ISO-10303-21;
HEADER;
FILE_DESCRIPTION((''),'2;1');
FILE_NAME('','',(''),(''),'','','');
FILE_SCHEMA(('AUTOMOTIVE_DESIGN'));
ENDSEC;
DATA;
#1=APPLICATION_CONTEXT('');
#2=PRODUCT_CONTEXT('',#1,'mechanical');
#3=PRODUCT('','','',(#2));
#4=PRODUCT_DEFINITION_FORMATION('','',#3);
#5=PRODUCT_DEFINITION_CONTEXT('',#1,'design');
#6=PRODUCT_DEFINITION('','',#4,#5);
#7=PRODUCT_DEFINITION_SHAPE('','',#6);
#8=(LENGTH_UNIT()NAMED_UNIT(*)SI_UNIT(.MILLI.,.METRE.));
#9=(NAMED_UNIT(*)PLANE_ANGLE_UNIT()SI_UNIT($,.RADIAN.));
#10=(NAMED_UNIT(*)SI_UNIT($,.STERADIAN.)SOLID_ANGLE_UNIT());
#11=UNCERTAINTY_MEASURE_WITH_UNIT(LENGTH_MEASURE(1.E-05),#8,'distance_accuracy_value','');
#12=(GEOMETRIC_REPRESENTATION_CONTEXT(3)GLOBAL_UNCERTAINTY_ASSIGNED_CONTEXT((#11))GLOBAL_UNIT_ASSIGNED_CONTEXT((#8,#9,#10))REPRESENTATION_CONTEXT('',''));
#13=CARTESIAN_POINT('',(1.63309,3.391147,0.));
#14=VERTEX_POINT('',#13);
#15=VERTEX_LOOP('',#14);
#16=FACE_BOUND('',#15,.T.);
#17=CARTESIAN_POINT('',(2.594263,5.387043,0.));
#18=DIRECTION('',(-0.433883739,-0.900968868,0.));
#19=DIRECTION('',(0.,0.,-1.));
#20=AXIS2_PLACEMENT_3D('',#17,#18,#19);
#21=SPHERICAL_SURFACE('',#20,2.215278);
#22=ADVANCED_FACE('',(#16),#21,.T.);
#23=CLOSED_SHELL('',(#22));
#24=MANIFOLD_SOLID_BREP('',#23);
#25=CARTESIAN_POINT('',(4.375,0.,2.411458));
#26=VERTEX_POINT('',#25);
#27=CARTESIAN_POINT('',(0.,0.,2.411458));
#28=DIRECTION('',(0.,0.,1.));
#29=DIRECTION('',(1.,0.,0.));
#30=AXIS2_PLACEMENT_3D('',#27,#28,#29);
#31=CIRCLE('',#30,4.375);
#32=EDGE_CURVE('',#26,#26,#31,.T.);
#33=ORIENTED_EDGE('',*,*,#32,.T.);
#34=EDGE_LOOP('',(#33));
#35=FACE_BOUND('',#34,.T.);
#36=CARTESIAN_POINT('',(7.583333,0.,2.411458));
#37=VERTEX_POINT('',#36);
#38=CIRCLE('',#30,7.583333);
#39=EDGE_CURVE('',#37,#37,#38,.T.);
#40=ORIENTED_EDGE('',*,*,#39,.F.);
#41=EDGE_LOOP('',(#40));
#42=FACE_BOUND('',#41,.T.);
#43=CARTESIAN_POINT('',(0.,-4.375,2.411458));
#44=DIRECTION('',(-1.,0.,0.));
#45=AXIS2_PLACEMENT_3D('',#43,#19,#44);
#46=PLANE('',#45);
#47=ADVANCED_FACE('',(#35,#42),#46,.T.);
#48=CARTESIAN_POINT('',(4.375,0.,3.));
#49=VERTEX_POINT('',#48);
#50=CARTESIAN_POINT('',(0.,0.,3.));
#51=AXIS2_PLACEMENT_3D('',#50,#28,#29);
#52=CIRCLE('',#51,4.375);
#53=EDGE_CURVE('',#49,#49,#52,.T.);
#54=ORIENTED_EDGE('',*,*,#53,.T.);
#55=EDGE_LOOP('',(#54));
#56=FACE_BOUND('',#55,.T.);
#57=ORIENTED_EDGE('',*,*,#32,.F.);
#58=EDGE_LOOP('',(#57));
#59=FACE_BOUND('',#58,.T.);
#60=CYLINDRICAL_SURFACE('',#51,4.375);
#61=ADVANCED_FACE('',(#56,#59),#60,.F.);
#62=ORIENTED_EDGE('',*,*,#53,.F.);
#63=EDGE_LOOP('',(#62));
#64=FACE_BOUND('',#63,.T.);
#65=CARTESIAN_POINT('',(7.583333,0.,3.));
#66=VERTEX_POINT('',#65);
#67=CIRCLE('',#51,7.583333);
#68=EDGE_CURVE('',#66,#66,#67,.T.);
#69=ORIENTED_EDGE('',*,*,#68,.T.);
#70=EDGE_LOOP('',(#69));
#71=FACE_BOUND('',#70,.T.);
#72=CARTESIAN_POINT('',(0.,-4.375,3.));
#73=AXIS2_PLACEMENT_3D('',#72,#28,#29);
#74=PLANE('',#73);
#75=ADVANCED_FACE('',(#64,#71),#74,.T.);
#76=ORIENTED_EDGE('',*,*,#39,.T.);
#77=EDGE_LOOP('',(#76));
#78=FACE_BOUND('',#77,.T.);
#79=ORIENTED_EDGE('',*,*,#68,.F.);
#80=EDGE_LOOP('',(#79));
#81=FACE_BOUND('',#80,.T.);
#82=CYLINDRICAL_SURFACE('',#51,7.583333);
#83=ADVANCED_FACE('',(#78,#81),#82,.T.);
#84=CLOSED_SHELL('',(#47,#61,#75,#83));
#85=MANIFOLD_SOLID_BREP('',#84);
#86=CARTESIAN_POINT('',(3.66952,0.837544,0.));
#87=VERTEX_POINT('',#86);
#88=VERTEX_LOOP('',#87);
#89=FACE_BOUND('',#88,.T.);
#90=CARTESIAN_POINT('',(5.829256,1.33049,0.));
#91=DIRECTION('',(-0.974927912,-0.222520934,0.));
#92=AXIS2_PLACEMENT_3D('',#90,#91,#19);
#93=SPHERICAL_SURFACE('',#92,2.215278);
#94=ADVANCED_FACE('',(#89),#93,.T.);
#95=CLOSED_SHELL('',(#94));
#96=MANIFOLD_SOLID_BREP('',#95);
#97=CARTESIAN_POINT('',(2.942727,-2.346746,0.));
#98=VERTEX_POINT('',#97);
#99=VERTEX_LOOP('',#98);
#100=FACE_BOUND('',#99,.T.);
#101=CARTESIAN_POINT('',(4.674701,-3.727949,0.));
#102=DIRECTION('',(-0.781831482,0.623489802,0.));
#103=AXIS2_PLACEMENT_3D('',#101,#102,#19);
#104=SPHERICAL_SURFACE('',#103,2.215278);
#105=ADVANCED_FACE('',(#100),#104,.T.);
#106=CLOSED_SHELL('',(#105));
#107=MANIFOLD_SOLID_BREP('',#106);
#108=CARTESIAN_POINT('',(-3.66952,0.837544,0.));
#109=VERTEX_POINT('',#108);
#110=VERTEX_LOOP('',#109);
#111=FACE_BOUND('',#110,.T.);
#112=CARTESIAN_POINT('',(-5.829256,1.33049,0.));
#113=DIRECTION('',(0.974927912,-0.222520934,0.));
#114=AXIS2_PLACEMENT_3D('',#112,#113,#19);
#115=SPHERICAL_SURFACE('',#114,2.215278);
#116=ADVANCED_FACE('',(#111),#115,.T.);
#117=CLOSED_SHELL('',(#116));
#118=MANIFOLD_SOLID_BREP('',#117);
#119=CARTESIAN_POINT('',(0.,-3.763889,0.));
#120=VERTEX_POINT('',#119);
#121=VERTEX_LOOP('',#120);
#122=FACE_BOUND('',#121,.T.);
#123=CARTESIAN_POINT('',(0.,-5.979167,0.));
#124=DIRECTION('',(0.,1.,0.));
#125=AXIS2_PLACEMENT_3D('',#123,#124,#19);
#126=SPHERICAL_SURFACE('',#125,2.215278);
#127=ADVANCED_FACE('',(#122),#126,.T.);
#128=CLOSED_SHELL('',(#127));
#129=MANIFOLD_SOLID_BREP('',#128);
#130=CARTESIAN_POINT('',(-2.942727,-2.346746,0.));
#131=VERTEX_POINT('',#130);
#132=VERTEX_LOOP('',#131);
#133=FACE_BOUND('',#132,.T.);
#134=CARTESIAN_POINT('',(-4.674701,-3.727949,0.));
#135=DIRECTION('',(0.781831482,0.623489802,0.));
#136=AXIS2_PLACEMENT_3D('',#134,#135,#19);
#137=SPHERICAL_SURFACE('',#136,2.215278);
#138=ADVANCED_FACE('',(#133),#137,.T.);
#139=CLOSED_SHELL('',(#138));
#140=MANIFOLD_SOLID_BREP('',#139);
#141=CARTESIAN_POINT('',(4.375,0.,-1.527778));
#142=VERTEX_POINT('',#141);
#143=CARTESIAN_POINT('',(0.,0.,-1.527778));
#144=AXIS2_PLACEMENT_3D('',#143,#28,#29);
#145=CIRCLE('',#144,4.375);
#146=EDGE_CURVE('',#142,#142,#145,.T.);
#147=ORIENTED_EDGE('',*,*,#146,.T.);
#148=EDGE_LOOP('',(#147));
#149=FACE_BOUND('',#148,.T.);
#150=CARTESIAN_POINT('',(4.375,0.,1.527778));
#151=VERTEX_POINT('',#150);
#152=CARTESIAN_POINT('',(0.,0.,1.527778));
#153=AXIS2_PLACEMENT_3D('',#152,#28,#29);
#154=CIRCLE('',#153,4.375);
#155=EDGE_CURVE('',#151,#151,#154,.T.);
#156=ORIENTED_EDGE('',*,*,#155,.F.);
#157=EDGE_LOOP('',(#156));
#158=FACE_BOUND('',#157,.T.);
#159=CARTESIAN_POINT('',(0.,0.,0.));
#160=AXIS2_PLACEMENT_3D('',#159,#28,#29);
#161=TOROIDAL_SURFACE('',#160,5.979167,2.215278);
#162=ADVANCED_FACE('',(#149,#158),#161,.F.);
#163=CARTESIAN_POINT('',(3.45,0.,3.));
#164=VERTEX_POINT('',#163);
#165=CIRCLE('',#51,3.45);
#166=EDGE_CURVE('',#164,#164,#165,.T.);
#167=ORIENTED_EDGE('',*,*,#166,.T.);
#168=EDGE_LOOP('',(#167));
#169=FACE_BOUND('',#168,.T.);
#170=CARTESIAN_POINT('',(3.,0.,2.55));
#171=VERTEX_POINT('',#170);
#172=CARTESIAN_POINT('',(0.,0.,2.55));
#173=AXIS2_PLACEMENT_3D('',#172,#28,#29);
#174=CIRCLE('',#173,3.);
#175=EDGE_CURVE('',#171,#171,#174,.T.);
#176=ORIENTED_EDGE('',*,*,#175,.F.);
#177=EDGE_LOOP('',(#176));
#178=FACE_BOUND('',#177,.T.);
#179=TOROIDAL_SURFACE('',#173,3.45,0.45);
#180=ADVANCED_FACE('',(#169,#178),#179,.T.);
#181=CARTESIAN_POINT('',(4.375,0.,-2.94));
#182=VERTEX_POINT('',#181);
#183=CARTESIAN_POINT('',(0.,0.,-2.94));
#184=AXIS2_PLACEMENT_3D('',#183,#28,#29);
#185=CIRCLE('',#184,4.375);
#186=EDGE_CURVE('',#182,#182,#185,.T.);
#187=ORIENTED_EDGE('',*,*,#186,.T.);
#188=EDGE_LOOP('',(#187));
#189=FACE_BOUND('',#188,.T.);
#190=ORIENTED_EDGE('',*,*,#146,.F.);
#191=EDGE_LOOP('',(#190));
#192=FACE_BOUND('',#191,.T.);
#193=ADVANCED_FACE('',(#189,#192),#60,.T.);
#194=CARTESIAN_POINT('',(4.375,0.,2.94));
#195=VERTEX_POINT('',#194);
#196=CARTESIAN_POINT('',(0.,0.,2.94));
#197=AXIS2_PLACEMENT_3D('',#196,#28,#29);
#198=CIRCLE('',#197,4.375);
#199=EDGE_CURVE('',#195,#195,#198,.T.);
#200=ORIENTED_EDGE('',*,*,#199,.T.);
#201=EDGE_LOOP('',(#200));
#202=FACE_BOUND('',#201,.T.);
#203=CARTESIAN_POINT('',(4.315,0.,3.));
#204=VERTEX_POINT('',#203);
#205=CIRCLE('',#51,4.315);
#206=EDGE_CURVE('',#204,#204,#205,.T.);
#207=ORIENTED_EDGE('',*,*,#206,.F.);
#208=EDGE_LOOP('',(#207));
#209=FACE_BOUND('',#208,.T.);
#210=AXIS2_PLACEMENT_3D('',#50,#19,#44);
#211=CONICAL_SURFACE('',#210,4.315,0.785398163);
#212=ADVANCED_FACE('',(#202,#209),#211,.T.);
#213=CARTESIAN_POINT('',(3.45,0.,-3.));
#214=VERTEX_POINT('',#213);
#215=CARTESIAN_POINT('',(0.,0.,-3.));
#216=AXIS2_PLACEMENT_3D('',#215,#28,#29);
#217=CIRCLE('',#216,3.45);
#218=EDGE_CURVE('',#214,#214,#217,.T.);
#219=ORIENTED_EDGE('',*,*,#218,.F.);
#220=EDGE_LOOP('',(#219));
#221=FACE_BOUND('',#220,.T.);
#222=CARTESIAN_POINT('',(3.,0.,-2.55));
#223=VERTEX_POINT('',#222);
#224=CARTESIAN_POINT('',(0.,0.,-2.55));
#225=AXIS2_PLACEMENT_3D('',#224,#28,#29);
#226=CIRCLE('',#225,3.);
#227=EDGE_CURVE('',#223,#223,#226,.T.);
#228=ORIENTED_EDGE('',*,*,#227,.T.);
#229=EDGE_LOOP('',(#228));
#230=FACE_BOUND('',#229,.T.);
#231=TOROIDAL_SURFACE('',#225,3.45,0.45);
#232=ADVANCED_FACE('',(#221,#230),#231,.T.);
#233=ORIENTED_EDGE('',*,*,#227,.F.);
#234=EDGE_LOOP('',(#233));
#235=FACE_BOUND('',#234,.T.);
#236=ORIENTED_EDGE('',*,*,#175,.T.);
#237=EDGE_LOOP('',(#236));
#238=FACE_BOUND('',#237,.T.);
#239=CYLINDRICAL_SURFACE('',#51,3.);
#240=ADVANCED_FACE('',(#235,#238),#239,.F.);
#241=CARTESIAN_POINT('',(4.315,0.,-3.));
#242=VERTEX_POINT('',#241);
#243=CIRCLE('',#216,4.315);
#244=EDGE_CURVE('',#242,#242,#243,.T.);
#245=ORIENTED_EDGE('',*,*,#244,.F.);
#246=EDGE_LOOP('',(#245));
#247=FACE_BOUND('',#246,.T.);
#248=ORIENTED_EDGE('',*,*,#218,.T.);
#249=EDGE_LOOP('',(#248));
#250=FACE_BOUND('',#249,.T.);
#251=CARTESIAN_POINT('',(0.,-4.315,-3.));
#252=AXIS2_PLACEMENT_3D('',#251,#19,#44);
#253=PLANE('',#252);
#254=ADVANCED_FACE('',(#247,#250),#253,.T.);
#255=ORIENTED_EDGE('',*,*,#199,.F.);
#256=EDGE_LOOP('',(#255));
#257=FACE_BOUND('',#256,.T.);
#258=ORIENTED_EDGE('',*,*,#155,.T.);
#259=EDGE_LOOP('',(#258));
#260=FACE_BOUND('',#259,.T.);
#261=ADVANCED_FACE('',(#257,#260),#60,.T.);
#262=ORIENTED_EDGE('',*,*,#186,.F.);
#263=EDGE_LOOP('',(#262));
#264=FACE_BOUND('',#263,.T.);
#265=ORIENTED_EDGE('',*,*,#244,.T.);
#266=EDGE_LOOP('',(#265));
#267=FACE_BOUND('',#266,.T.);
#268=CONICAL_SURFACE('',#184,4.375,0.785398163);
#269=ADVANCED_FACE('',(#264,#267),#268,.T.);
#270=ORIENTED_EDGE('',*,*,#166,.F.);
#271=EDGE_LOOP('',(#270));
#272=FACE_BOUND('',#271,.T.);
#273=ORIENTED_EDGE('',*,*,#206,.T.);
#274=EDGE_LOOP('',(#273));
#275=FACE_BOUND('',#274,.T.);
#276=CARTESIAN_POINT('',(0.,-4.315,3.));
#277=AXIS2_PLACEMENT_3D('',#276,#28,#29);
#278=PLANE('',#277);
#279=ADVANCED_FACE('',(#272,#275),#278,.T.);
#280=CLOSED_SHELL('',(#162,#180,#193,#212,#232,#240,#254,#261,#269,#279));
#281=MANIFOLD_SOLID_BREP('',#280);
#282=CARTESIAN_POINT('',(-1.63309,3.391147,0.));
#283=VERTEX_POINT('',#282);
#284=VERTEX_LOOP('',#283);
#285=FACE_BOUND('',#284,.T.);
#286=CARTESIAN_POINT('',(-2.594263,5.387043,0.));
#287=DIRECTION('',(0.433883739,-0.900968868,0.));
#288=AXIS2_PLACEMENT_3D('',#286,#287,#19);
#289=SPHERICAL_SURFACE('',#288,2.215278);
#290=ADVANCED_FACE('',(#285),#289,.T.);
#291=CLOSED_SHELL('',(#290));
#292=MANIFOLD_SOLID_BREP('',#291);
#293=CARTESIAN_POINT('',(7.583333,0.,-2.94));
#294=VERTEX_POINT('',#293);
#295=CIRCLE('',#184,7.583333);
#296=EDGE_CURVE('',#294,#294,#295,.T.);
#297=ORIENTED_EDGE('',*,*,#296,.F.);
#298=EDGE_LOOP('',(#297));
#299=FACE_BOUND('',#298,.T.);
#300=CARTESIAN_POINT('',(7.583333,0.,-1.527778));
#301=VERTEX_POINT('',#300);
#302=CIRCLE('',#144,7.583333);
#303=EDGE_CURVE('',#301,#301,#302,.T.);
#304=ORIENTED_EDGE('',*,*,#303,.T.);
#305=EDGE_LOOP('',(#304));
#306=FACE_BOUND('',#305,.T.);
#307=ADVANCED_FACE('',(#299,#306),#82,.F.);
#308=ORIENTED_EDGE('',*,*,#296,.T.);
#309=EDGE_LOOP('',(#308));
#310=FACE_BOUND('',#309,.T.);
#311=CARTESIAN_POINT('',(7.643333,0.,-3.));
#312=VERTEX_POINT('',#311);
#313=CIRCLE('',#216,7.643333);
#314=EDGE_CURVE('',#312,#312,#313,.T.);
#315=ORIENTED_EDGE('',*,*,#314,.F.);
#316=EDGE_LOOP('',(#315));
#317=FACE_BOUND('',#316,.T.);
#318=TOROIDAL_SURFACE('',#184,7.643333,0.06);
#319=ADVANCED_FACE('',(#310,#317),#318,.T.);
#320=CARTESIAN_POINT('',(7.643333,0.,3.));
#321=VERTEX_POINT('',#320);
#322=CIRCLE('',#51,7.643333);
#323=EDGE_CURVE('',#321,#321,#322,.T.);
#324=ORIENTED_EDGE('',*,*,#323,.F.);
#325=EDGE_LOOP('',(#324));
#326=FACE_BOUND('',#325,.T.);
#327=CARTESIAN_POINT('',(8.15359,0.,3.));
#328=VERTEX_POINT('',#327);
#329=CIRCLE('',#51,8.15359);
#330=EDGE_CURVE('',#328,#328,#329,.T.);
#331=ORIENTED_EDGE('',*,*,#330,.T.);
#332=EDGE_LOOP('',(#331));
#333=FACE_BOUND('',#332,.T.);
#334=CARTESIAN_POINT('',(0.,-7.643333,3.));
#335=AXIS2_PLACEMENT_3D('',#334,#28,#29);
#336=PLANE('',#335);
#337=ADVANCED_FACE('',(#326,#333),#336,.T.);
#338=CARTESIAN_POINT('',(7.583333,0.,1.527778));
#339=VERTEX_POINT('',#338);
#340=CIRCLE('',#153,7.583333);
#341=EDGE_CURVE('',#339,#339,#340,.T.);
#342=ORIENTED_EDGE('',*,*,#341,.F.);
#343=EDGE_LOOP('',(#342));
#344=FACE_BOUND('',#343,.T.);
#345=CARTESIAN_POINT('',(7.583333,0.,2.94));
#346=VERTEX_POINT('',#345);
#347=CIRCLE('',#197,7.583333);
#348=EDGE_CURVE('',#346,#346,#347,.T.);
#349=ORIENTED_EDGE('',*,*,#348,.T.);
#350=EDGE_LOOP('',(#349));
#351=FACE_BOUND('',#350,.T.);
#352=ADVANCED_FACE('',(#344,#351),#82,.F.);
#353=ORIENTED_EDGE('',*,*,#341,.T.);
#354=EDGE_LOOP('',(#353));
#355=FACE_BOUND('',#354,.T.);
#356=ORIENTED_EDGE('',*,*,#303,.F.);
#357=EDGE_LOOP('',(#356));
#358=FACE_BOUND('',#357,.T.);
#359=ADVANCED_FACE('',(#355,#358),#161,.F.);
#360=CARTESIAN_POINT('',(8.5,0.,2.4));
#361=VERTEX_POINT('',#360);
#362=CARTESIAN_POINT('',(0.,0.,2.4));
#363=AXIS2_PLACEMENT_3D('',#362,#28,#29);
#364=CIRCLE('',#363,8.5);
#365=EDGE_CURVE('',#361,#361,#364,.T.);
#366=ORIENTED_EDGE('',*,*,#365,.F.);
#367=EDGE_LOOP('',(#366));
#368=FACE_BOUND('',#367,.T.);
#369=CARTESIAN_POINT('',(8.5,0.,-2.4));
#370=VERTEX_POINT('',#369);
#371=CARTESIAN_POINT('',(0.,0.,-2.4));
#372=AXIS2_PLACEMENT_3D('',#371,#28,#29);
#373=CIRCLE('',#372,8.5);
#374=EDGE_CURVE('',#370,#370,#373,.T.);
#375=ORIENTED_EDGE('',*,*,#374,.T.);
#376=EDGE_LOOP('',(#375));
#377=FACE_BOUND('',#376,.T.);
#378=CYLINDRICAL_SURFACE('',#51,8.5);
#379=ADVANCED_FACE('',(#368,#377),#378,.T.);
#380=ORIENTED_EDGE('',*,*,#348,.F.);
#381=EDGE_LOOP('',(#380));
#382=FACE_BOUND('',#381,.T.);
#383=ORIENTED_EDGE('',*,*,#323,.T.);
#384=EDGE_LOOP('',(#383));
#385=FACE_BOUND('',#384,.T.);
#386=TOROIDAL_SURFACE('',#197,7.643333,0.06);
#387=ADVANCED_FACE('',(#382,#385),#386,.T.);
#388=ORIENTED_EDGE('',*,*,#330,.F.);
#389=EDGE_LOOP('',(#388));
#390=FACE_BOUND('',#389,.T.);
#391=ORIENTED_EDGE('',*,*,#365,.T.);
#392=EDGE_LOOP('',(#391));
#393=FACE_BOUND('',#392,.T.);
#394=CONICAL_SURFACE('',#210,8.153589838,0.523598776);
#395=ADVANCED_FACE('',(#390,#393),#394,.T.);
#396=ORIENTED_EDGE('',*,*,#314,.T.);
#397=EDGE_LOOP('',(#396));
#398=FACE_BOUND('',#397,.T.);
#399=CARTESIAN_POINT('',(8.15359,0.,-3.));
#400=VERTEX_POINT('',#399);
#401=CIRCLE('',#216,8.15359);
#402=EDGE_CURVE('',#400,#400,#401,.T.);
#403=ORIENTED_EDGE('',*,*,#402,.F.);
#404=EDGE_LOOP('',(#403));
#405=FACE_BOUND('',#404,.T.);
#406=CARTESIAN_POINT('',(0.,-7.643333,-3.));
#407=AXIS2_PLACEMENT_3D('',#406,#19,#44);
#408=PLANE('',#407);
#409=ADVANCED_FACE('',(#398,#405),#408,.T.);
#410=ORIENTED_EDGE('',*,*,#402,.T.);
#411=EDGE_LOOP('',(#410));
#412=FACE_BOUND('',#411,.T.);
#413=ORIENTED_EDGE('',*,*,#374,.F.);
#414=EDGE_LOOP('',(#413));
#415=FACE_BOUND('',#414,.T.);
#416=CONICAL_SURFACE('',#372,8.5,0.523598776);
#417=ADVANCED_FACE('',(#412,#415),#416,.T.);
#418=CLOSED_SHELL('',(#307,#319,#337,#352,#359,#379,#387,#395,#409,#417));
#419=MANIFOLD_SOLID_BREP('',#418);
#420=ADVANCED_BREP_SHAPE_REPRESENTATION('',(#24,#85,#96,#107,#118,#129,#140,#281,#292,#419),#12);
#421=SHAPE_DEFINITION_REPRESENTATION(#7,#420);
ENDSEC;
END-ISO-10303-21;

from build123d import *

# Parameters (mm, degrees)
SKETCH4_W         = 0.588541667
SKETCH4_H         = 3.208333333
CIRPATTERN1_COUNT = 7


with BuildPart() as part:
    # Sketch3 → Revolve1 (revolve)
    with BuildSketch(Plane(origin=(0, 0, 0), x_dir=(0, 0, -1), z_dir=(1, 0, 0)), mode=Mode.PRIVATE) as revolve1_sk:
        with BuildLine():
            Line((-2.4, -8.5), (2.4, -8.5))
            Line((2.4, -8.5), (3, -8.153589838))
            Line((3, -8.153589838), (3, -7.643333333))
            ThreePointArc((3, -7.643333333), (2.982426407, -7.600906926), (2.94, -7.583333333))
            Line((2.94, -7.583333333), (1.527777778, -7.583333333))
            ThreePointArc((1.527777778, -7.583333333), (0, -8.194444444), (-1.527777778, -7.583333333))
            Line((-1.527777778, -7.583333333), (-2.94, -7.583333333))
            ThreePointArc((-2.94, -7.583333333), (-2.982426407, -7.600906926), (-3, -7.643333333))
            Line((-3, -7.643333333), (-3, -8.153589838))
            Line((-3, -8.153589838), (-2.4, -8.5))
        make_face()
        with BuildLine():
            Line((-2.55, -3), (2.55, -3))
            ThreePointArc((2.55, -3), (2.868198052, -3.131801948), (3, -3.45))
            Line((3, -3.45), (3, -4.315))
            Line((3, -4.315), (2.94, -4.375))
            Line((2.94, -4.375), (1.527777778, -4.375))
            ThreePointArc((1.527777778, -4.375), (0, -3.763888889), (-1.527777778, -4.375))
            Line((-1.527777778, -4.375), (-2.94, -4.375))
            Line((-2.94, -4.375), (-3, -4.315))
            Line((-3, -4.315), (-3, -3.45))
            ThreePointArc((-3, -3.45), (-2.868198052, -3.131801948), (-2.55, -3))
        make_face()
    revolve(revolve1_sk.sketch.rotate(Axis((0, 0, 3), (0, 0, -1)), 270), axis=Axis((0, 0, 3), (0, 0, -1)))


with BuildPart() as body_2:
    # Sketch4 → Revolve2 (revolve)
    with BuildSketch(Plane(origin=(0, 0, 0), x_dir=(0, 0, -1), z_dir=(1, 0, 0)), mode=Mode.PRIVATE) as revolve2_sk:
        with Locations((-2.705729167, -5.979166667)):
            Rectangle(SKETCH4_W, SKETCH4_H)
    revolve(revolve2_sk.sketch.rotate(Axis((0, 0, 3), (0, 0, -1)), 270), axis=Axis((0, 0, 3), (0, 0, -1)))


with BuildPart() as body_3:
    # Sketch5 → Revolve3 (revolve)
    with BuildSketch(Plane(origin=(0, 0, 0), x_dir=(0, 0, -1), z_dir=(1, 0, 0))):
        with BuildLine():
            Line((0, -3.763888889), (0, -8.194444444))
            ThreePointArc((0, -8.194444444), (-2.215277778, -5.979166667), (0, -3.763888889))
        make_face()
    revolve(axis=Axis((0, 0, 0), (0, -1, 0)))


with BuildPart() as cirpattern1_1:
    # CirPattern1: pattern copy
    add(body_3.part.rotate(Axis((0, 0, 0), (0, 0, 1)), 1 * 360 / CIRPATTERN1_COUNT))


with BuildPart() as cirpattern1_2:
    # CirPattern1: pattern copy
    add(body_3.part.rotate(Axis((0, 0, 0), (0, 0, 1)), 2 * 360 / CIRPATTERN1_COUNT))


with BuildPart() as cirpattern1_3:
    # CirPattern1: pattern copy
    add(body_3.part.rotate(Axis((0, 0, 0), (0, 0, 1)), 3 * 360 / CIRPATTERN1_COUNT))


with BuildPart() as cirpattern1_4:
    # CirPattern1: pattern copy
    add(body_3.part.rotate(Axis((0, 0, 0), (0, 0, 1)), 4 * 360 / CIRPATTERN1_COUNT))


with BuildPart() as cirpattern1_5:
    # CirPattern1: pattern copy
    add(body_3.part.rotate(Axis((0, 0, 0), (0, 0, 1)), 5 * 360 / CIRPATTERN1_COUNT))


with BuildPart() as cirpattern1_6:
    # CirPattern1: pattern copy
    add(body_3.part.rotate(Axis((0, 0, 0), (0, 0, 1)), 6 * 360 / CIRPATTERN1_COUNT))


solid = Compound([part.part, body_2.part, body_3.part, cirpattern1_1.part, cirpattern1_2.part, cirpattern1_3.part, cirpattern1_4.part, cirpattern1_5.part, cirpattern1_6.part])
